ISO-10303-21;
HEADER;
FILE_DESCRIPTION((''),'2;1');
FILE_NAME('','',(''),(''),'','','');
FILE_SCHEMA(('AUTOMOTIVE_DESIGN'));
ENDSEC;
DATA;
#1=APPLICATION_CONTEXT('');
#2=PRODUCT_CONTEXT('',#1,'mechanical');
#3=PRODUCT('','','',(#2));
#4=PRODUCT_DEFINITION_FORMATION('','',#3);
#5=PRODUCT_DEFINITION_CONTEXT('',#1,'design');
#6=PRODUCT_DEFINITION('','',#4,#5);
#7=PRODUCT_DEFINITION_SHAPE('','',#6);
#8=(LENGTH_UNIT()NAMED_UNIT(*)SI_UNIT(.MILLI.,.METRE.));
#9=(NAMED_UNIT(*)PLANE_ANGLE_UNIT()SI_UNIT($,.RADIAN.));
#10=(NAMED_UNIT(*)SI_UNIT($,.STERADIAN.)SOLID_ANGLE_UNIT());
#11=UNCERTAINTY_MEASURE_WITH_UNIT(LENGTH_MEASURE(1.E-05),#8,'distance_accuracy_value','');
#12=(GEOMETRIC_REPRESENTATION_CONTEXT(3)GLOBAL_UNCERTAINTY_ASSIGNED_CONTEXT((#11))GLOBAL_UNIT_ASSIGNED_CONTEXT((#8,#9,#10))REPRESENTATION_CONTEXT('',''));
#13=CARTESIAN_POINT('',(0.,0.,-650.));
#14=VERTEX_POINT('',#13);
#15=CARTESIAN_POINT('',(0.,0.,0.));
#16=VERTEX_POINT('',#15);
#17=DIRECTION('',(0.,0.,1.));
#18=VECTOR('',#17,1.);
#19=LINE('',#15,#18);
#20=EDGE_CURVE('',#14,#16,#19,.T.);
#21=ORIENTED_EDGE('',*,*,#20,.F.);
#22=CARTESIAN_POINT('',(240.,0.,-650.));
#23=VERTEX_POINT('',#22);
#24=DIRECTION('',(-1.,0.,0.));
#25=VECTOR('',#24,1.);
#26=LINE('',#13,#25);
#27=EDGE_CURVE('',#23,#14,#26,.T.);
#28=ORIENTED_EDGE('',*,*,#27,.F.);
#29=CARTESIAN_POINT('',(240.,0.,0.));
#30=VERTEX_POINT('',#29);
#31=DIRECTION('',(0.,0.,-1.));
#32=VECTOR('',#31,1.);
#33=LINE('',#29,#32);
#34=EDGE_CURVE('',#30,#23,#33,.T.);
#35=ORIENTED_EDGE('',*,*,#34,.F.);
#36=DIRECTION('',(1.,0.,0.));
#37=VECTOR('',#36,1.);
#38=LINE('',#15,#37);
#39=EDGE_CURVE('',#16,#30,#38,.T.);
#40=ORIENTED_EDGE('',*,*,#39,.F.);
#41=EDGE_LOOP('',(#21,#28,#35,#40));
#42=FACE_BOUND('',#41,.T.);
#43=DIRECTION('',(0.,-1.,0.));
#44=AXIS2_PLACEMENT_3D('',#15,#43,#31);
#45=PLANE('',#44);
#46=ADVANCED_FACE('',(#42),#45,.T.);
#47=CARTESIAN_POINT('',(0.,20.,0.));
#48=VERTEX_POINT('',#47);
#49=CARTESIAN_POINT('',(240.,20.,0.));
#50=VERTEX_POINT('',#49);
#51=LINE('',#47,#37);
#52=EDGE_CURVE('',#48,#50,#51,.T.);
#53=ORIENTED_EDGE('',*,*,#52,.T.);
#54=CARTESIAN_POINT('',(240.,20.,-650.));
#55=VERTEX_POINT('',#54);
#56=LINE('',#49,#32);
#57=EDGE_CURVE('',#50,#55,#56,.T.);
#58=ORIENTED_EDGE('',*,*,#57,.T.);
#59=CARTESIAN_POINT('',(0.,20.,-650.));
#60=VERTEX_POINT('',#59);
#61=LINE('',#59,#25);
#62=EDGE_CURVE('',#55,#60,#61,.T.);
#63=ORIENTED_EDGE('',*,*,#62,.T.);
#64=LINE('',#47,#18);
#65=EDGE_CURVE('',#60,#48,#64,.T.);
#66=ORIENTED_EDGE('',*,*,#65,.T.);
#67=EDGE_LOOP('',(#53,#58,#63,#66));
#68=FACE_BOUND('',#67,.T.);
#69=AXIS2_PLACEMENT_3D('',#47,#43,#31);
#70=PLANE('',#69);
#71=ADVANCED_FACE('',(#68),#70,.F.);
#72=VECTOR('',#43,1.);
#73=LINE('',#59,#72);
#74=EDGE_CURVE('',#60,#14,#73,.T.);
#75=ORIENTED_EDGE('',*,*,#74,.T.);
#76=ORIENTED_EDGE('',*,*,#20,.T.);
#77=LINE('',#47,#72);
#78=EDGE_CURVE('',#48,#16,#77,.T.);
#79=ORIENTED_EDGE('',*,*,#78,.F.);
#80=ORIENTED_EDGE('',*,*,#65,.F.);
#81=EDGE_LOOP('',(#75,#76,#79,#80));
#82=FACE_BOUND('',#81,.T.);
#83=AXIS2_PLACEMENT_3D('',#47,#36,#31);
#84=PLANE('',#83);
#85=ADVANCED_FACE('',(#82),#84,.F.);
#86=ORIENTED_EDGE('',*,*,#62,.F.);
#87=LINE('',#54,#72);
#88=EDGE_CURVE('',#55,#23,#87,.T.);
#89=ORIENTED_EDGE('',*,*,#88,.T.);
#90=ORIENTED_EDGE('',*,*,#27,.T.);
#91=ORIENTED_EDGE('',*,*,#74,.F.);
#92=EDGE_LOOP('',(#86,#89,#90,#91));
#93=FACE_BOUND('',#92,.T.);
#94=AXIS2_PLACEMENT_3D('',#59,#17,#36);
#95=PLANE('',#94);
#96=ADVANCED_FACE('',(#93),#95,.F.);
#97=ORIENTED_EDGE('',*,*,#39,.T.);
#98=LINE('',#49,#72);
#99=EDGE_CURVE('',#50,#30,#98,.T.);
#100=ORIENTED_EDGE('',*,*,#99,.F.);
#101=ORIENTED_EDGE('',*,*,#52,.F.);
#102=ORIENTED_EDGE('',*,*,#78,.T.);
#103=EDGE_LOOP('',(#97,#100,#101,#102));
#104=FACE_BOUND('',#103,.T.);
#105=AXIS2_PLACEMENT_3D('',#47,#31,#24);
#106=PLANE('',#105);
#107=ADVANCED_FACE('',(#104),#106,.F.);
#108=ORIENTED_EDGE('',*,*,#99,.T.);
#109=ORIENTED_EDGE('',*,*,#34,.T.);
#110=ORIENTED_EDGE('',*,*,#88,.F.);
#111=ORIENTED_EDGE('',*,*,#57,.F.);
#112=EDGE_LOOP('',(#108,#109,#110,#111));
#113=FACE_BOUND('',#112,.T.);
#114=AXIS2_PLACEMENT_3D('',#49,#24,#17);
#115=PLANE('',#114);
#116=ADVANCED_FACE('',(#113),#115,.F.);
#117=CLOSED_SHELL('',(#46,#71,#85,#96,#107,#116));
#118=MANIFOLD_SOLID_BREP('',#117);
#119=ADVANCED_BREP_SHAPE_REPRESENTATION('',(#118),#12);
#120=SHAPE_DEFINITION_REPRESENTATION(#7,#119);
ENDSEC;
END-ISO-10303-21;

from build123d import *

# Parameters (mm, degrees)
SKETCH_1_W      = 240
SKETCH_1_H      = 650
EXTRUDE_1_DEPTH = 20


with BuildPart() as part:
    # 草图1 → 凸台-拉伸1 (new body)
    with BuildSketch(Plane(origin=(0, 0, 0), x_dir=(1, 0, 0), z_dir=(0, 1, 0))):
        with Locations((120, 325)):
            Rectangle(SKETCH_1_W, SKETCH_1_H)
    extrude(amount=EXTRUDE_1_DEPTH)


solid = part.part
